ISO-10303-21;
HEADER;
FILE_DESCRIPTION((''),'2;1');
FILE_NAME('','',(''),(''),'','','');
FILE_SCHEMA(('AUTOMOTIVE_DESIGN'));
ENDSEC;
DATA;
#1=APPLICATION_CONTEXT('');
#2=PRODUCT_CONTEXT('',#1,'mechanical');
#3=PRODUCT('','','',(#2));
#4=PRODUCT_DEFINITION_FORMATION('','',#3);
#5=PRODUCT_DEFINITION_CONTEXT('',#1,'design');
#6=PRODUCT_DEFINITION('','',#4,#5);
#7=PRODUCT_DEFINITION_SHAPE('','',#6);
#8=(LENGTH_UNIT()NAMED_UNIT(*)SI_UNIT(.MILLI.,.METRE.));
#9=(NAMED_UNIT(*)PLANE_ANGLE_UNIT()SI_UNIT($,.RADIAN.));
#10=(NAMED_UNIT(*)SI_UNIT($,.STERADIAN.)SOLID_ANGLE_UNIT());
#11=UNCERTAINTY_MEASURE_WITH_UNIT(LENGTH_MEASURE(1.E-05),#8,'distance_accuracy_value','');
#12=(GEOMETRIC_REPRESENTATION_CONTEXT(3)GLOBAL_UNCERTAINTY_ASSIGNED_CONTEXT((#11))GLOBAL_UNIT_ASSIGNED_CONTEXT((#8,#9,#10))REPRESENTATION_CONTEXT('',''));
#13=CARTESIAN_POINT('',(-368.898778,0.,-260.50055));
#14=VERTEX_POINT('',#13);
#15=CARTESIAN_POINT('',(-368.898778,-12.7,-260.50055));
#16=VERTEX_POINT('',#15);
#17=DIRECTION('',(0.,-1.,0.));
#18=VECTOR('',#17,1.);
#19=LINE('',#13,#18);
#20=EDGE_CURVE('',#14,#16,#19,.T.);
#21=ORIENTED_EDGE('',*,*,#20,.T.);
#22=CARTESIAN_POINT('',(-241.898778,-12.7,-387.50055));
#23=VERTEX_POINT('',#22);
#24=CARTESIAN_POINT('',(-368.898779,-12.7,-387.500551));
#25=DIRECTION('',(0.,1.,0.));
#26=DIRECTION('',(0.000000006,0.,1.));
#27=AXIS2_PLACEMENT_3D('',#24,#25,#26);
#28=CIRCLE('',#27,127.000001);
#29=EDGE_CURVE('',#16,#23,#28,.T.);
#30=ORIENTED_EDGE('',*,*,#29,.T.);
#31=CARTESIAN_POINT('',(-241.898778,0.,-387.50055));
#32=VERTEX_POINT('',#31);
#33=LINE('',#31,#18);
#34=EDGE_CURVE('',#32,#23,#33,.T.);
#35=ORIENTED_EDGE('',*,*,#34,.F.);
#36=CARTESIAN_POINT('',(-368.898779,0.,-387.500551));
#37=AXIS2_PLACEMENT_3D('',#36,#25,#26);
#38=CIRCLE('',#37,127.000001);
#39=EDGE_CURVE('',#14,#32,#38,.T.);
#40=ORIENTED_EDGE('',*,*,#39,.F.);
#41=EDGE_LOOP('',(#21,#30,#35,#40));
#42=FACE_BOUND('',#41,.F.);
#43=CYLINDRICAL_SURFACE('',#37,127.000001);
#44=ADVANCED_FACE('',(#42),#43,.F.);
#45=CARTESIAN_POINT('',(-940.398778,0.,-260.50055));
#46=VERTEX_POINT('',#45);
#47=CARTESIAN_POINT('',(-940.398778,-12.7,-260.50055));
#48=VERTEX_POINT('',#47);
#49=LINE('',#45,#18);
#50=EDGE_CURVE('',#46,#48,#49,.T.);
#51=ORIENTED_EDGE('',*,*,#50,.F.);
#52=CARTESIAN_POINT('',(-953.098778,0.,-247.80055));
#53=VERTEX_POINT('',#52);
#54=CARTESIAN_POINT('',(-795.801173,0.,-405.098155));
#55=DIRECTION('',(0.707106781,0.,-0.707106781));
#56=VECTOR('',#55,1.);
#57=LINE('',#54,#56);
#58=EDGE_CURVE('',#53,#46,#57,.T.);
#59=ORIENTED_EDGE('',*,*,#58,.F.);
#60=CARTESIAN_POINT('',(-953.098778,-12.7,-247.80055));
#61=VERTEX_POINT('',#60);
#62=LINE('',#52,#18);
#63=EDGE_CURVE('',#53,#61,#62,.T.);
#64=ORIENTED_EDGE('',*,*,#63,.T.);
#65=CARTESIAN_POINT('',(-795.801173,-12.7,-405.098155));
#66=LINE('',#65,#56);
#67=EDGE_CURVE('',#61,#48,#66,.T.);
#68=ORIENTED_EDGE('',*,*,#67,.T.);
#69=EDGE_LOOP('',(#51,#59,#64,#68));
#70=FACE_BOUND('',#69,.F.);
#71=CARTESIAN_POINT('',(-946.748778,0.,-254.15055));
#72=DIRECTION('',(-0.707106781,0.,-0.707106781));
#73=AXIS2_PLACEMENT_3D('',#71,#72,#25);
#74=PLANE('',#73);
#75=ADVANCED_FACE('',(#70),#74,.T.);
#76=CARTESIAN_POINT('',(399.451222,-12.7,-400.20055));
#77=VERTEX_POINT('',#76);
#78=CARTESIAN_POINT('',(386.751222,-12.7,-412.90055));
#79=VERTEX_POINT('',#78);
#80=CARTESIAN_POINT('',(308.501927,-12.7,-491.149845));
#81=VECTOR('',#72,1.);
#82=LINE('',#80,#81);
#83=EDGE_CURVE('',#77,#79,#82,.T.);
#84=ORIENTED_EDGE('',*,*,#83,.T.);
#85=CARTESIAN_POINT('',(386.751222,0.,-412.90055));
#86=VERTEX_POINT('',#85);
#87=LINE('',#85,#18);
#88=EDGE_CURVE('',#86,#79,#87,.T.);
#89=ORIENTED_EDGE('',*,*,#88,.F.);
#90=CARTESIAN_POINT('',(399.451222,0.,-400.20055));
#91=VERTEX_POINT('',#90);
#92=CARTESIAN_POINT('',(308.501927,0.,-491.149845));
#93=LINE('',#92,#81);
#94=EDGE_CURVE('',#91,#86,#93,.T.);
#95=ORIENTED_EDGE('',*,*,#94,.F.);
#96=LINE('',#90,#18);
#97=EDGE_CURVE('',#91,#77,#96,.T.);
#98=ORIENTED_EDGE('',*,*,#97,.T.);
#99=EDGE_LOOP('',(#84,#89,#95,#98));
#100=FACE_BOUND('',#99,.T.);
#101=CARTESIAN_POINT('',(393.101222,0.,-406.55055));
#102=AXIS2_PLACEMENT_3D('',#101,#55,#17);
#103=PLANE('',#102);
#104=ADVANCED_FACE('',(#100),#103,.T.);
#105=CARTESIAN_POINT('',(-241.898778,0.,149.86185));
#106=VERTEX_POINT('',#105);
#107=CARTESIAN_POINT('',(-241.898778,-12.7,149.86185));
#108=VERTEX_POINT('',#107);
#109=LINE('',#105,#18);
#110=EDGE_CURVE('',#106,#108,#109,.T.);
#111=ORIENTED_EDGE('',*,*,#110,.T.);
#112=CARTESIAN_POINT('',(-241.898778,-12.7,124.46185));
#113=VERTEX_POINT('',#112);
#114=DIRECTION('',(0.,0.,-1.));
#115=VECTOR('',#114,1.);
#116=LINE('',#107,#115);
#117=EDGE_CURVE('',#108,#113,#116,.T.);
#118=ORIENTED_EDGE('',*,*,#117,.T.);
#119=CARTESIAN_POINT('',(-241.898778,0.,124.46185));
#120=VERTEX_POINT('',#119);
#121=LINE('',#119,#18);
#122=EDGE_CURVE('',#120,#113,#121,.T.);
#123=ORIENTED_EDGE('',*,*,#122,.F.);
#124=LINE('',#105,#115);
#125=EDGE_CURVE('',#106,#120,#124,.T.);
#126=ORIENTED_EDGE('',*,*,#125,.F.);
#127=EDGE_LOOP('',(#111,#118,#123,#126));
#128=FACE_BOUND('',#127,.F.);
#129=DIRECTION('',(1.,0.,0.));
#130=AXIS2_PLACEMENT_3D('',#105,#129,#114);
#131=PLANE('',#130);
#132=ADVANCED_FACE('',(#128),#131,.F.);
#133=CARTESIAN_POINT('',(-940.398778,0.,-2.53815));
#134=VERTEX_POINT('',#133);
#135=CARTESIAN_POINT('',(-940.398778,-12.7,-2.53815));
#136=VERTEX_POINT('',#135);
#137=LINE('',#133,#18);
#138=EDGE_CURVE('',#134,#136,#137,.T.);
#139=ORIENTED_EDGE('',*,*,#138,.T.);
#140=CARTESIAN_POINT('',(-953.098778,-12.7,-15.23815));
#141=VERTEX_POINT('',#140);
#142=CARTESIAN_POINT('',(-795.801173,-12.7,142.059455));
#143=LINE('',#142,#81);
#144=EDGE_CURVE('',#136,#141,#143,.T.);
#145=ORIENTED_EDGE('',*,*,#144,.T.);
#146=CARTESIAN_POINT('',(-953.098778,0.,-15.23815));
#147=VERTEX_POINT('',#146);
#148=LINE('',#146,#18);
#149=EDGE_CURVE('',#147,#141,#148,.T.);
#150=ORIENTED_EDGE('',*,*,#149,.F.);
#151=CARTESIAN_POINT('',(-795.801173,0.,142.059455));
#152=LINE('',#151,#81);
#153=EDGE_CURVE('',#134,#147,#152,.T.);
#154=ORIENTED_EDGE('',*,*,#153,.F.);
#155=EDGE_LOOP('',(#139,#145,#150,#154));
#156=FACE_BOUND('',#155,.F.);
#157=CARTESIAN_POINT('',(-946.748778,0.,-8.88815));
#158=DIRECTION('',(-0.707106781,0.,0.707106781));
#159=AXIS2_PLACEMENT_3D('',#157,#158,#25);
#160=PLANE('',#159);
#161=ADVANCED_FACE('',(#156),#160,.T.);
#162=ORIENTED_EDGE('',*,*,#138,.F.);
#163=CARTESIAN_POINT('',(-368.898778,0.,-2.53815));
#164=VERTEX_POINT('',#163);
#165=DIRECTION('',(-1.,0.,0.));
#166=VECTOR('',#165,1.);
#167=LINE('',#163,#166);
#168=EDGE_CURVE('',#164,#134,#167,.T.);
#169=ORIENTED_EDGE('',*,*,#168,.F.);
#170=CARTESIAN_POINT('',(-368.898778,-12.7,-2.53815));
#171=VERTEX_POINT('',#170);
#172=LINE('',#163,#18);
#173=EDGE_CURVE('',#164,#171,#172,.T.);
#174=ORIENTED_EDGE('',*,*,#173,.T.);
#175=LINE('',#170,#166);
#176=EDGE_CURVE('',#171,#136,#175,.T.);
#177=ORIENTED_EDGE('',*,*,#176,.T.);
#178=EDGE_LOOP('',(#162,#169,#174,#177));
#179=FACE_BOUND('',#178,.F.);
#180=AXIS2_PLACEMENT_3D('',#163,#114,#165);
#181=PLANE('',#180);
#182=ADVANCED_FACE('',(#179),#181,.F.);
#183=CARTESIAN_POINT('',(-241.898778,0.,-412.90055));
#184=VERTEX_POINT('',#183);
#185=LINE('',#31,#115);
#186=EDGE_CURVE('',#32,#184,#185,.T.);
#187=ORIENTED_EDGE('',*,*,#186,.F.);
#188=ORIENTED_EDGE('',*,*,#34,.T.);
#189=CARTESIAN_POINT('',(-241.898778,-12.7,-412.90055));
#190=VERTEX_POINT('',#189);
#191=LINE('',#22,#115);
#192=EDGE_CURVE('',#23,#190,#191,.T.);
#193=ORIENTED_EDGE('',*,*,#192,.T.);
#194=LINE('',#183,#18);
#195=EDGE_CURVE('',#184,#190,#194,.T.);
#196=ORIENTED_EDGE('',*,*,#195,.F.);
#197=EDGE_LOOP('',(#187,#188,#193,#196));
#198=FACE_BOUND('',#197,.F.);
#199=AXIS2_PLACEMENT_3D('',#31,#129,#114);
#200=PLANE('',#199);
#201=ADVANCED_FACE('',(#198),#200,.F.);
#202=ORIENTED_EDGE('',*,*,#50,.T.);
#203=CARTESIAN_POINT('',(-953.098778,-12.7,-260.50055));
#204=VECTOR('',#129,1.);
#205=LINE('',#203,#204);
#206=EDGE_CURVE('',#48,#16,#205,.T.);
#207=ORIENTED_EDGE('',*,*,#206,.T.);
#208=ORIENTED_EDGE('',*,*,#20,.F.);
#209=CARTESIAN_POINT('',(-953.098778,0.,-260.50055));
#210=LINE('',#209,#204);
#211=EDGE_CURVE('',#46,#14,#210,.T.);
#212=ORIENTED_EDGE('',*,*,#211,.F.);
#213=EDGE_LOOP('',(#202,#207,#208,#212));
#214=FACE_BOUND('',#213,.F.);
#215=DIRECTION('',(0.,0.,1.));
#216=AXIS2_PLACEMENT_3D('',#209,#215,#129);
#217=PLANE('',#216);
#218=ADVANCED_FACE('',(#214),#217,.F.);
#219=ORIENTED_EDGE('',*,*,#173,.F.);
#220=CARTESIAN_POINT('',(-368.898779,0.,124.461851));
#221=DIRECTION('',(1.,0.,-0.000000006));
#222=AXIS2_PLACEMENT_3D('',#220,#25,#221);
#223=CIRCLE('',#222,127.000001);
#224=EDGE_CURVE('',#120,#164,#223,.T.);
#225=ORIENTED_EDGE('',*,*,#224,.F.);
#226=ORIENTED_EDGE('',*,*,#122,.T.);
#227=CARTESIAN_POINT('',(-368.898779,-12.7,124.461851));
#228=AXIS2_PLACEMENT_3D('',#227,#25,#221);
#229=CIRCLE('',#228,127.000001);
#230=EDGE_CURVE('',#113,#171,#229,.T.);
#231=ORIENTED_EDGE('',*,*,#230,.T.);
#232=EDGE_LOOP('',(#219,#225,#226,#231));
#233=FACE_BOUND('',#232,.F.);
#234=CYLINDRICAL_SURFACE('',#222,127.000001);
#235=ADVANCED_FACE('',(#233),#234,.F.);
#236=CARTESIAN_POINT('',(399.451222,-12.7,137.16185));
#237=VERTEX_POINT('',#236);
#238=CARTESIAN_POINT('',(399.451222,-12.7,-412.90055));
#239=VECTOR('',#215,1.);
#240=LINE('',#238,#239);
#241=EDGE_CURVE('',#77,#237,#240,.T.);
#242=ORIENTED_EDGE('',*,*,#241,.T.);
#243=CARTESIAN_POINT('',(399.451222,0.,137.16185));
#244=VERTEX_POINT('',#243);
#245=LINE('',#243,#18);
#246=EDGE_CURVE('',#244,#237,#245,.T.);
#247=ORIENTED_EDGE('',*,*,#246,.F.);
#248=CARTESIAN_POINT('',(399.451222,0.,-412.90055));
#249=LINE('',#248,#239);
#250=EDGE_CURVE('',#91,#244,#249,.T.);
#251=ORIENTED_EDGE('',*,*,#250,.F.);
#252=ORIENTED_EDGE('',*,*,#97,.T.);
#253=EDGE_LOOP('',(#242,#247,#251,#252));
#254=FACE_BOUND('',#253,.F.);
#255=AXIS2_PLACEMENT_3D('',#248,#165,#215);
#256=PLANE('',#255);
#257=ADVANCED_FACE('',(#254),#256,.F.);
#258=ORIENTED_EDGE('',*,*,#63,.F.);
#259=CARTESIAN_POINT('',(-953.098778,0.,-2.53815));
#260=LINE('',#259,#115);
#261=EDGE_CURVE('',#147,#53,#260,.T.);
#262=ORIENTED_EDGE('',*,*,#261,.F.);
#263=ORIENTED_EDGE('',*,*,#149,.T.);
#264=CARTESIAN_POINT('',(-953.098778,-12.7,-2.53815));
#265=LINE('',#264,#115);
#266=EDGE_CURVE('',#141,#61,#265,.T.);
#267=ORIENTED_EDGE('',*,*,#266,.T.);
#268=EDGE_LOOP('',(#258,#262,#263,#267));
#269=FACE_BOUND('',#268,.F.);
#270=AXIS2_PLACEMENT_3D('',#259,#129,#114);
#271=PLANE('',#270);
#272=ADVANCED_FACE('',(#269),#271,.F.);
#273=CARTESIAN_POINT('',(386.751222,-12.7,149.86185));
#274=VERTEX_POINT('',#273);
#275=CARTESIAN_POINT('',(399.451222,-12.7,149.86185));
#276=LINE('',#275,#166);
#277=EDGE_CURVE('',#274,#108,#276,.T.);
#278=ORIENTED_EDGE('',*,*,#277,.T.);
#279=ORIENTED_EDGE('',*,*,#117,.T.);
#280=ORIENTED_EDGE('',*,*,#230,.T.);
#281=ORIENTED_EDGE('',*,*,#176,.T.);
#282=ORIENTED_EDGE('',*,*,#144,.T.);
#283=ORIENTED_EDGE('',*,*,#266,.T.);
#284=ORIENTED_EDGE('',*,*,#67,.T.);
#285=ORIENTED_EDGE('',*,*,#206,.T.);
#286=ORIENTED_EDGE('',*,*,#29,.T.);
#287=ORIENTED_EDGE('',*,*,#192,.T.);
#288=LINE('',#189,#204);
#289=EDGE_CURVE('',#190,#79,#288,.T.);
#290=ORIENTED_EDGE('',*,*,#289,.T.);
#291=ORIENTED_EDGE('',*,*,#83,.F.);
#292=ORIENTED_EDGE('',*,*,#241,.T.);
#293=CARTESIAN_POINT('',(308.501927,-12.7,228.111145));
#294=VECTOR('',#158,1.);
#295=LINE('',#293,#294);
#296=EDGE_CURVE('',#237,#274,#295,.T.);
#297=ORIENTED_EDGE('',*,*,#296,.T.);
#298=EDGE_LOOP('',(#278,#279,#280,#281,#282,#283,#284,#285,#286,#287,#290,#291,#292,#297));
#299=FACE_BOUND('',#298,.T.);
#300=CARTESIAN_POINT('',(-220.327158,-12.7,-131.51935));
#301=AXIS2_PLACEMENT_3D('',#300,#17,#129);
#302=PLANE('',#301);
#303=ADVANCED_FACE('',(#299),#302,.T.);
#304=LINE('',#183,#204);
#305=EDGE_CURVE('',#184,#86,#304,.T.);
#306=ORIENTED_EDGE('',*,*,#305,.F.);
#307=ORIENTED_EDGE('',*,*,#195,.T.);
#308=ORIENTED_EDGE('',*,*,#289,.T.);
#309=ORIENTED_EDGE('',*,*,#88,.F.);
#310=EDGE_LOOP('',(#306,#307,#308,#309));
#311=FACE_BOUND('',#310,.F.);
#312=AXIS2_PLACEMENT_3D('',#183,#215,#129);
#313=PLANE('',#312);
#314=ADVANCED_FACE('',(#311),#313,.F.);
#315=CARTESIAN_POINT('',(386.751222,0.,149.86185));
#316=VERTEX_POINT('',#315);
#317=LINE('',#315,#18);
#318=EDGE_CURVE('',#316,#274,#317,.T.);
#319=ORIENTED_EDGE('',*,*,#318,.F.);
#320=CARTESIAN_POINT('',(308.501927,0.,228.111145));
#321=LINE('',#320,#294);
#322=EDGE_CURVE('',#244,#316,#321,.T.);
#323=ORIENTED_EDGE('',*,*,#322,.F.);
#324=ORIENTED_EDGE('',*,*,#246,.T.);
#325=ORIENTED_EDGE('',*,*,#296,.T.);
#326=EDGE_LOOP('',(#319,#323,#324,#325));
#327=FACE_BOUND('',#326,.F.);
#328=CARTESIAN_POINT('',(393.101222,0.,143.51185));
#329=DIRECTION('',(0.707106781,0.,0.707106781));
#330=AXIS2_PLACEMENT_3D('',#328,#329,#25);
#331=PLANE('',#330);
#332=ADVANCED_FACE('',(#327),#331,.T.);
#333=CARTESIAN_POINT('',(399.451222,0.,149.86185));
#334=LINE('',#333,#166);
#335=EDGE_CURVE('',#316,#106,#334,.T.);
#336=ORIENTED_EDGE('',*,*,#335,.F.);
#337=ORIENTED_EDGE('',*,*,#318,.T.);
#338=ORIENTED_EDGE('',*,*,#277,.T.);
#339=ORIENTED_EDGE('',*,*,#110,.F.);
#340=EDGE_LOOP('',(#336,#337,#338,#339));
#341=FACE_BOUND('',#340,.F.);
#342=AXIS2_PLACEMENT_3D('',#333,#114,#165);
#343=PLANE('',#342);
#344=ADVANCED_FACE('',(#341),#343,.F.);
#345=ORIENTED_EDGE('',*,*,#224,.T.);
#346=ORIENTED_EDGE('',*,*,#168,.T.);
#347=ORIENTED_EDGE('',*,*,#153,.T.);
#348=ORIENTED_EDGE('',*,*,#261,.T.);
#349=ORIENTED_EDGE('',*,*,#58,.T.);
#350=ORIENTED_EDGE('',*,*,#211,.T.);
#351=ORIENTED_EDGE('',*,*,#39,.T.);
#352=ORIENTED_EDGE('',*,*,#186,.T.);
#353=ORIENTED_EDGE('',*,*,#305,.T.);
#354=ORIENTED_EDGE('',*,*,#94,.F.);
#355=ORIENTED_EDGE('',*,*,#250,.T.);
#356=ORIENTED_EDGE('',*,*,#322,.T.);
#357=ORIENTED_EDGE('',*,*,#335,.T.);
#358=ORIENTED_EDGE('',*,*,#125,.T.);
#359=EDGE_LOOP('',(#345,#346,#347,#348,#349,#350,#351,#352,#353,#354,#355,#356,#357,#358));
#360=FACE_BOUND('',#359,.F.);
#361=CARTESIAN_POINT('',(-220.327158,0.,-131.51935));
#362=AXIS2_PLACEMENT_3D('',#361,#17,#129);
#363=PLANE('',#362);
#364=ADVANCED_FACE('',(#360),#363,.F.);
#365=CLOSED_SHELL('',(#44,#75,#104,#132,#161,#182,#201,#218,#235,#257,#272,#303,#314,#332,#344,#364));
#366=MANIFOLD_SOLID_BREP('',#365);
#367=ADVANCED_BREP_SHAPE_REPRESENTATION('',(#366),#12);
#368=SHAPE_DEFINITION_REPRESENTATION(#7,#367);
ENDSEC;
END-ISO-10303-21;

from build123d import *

# Parameters (mm, degrees)
F1_DEPTH = 12.7
F2_SIZE  = 12.7


with BuildPart() as f1:
    # F0 (on Front) → F1 (new body)
    with BuildSketch(Plane.XZ):
        with BuildLine():
            Line((399.451222, -412.90055), (399.451222, 149.86185))
            Line((399.451222, 149.86185), (-241.898778, 149.86185))
            Line((-241.898778, 149.86185), (-241.898778, 124.46185))
            ThreePointArc((-241.898778, 124.46185), (-279.096217, 34.659289), (-368.898778, -2.53815))
            Line((-368.898778, -2.53815), (-953.098778, -2.53815))
            Line((-953.098778, -2.53815), (-953.098778, -260.50055))
            Line((-953.098778, -260.50055), (-368.898778, -260.50055))
            ThreePointArc((-368.898778, -260.50055), (-279.096217, -297.697989), (-241.898778, -387.50055))
            Line((-241.898778, -387.50055), (-241.898778, -412.90055))
            Line((-241.898778, -412.90055), (399.451222, -412.90055))
        make_face()
    extrude(amount=F1_DEPTH)

    # F2
    f2_edges = [f1.edges().sort_by_distance(p)[0] for p in [
        (-953.098778, -6.35, -2.53815),
        (-953.098778, -6.35, -260.50055),
        (399.451222, -6.35, -412.90055),
        (399.451222, -6.35, 149.86185),
    ]]
    chamfer(f2_edges, length=F2_SIZE)


solid = f1.part
